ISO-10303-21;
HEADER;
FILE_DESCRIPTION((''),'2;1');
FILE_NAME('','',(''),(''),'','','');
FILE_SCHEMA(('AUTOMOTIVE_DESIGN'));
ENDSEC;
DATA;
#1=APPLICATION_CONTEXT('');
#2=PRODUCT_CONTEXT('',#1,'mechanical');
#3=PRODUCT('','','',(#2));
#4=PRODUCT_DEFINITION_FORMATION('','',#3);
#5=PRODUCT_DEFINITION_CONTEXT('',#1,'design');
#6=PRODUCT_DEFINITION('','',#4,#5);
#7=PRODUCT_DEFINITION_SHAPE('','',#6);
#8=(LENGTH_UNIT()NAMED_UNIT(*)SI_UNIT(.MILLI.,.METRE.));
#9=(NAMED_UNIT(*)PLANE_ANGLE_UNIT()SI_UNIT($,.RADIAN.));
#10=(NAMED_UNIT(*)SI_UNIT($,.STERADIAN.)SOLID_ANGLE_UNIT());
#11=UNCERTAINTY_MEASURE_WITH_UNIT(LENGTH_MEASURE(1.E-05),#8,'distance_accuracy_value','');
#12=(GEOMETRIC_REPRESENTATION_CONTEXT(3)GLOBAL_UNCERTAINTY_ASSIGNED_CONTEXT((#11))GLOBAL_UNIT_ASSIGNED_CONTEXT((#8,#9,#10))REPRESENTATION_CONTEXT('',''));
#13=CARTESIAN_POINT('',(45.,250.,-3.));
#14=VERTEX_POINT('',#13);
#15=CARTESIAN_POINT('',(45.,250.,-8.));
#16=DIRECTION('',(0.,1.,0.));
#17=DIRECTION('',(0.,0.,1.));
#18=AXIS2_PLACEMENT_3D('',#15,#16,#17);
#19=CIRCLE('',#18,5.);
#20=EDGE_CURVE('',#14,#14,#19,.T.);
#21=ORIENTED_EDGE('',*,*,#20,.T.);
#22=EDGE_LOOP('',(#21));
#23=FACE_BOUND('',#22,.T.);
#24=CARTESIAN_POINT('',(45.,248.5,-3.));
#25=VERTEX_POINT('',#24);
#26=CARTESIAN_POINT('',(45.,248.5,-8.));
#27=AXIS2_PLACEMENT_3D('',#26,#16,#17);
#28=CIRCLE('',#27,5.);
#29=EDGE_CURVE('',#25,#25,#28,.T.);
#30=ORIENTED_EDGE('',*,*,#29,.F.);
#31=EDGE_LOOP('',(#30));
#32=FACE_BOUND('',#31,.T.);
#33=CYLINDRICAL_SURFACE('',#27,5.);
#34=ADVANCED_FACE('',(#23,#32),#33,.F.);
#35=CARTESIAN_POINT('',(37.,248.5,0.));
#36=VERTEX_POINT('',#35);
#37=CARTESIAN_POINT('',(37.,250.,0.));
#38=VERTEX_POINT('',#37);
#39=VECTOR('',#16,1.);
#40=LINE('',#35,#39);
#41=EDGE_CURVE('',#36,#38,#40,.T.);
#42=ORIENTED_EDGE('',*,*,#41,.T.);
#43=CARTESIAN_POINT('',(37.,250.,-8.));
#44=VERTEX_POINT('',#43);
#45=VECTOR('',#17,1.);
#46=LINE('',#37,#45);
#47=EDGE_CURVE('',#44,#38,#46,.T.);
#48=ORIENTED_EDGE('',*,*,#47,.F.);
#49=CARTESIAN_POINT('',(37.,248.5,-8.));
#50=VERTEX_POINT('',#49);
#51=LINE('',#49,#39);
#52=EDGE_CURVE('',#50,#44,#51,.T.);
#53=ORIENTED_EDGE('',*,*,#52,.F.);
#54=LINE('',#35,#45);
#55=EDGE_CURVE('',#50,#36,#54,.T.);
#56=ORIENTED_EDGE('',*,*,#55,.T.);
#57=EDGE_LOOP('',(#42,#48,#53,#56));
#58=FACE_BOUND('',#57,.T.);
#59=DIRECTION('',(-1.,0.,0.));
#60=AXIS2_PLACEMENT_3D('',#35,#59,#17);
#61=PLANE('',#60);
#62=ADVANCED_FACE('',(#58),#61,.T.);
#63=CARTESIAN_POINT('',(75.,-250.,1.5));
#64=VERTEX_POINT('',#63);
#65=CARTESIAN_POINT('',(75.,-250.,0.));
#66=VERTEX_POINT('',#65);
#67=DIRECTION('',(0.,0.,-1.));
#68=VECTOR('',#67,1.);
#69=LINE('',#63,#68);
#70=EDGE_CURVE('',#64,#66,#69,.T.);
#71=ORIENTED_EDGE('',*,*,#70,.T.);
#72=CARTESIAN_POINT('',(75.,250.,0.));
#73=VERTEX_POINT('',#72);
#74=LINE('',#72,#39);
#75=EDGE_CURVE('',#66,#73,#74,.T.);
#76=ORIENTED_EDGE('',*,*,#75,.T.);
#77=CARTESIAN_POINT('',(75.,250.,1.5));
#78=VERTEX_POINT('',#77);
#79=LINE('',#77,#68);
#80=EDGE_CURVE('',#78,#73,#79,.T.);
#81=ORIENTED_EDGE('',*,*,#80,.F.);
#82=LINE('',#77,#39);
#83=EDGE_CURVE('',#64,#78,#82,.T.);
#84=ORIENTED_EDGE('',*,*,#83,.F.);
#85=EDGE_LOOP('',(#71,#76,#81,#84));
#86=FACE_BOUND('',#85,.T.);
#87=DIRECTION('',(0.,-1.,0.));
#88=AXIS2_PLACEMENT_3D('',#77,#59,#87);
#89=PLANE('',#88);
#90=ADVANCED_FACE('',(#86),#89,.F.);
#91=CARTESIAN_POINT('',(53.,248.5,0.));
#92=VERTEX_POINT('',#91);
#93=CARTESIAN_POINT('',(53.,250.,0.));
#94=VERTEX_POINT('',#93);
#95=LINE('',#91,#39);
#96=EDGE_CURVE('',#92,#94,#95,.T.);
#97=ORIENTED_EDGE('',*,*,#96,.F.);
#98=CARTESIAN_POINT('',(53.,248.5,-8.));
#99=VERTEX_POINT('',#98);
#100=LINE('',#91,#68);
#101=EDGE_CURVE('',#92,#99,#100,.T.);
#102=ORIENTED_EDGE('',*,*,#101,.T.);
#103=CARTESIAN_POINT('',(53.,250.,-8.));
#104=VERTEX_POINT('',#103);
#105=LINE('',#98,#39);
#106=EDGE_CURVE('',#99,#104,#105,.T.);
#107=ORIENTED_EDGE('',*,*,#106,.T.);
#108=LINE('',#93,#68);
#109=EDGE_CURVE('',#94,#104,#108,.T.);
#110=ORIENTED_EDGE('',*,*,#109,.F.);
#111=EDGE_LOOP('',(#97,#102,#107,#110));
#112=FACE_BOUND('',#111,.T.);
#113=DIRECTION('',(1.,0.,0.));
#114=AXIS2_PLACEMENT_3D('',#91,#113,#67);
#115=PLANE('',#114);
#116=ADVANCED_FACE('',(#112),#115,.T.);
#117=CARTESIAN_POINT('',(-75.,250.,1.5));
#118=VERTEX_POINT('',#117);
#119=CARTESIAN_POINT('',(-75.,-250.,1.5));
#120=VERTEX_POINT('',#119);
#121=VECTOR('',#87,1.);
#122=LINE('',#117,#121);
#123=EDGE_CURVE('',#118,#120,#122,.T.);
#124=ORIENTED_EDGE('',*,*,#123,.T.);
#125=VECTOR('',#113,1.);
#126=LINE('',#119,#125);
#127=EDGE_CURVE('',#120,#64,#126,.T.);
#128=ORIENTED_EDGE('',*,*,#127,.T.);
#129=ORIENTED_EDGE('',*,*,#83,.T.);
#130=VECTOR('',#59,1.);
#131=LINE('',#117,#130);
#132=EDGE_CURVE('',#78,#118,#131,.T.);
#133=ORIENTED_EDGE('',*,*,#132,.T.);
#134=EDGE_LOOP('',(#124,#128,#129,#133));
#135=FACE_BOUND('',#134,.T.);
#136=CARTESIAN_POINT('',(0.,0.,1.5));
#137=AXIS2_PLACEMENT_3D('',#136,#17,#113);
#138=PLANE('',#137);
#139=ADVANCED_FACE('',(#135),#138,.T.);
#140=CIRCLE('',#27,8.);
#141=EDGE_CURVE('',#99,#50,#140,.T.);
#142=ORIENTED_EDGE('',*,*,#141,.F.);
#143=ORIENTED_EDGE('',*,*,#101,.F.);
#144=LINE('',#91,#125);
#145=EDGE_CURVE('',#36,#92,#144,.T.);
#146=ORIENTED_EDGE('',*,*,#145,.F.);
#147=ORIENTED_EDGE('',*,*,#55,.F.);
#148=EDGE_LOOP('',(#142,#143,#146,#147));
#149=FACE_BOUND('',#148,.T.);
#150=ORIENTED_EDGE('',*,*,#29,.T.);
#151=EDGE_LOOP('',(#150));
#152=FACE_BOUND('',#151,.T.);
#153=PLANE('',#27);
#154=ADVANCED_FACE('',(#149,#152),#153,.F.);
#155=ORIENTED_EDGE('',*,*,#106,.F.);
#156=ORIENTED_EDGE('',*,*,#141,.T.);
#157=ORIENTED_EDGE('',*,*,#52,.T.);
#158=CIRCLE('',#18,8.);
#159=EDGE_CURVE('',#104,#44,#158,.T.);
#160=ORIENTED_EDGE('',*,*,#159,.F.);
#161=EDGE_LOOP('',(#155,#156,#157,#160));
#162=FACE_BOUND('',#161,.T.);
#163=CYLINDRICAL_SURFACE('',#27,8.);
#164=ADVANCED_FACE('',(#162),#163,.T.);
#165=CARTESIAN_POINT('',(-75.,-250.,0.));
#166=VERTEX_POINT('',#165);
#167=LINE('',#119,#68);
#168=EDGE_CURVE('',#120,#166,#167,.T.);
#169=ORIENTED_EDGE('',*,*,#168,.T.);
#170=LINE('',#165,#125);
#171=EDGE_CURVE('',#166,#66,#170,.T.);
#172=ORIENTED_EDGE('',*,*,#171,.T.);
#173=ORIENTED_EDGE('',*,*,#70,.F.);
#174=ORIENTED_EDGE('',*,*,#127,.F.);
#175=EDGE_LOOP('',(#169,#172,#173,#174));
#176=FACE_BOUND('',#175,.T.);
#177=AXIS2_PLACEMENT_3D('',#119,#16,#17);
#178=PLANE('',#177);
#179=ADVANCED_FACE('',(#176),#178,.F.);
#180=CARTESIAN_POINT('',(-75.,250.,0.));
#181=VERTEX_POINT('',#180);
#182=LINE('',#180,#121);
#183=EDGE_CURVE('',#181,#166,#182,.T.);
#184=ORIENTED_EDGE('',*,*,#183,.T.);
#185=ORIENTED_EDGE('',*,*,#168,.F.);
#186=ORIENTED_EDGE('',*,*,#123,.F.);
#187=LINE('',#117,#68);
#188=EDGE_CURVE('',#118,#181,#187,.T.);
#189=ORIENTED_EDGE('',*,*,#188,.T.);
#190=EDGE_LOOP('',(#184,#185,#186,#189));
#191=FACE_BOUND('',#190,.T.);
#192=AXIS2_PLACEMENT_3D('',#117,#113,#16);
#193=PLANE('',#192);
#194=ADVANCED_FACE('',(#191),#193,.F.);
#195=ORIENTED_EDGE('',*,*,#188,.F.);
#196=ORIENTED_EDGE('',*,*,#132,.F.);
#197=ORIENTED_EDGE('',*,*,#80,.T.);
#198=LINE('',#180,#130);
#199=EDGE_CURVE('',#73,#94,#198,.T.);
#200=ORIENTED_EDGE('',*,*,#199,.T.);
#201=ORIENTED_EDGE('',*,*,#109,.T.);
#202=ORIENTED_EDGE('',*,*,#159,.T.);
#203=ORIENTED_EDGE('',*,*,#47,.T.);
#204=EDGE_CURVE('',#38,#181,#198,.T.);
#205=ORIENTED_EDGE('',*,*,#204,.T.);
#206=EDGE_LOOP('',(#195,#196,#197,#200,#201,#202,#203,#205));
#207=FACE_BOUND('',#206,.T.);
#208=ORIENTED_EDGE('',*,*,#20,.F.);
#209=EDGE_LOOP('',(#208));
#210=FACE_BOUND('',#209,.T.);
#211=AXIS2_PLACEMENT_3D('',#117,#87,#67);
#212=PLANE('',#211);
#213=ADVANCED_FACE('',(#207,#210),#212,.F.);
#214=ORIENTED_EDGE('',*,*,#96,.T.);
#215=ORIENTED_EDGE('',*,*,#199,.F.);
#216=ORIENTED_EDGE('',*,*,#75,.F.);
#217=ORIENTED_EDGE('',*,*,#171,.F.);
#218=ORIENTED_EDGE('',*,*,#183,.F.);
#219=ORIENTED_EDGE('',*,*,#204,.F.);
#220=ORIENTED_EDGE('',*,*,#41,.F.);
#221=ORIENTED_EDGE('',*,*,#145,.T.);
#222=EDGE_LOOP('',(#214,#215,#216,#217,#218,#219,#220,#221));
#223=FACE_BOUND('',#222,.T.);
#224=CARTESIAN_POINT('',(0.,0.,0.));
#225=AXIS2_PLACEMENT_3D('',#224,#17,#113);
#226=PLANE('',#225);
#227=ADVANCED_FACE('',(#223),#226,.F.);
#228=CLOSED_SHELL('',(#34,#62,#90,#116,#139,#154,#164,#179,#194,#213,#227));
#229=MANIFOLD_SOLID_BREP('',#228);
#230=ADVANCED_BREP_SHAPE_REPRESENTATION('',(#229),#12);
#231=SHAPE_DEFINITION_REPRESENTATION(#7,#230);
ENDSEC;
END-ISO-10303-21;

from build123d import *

# Parameters (mm, degrees)
SKETCH2_W           = 150
SKETCH2_H           = 500
BOSS_EXTRUDE1_DEPTH = 1.5
SKETCH3_R           = 5
BOSS_EXTRUDE2_DEPTH = 1.5


with BuildPart() as part:
    # Sketch2 → Boss-Extrude1 (new body)
    with BuildSketch(Plane.XY):
        Rectangle(SKETCH2_W, SKETCH2_H)
    extrude(amount=BOSS_EXTRUDE1_DEPTH)

    # Sketch3 → Boss-Extrude2 (add)
    with BuildSketch(Plane(origin=(0, 250, 0), x_dir=(1, 0, 0), z_dir=(0, 1, 0))):
        with BuildLine():
            Line((37, 0), (37, 8))
            ThreePointArc((37, 8), (45, 16), (53, 8))
            Line((53, 8), (53, 0))
            Line((53, 0), (37, 0))
        make_face()
        with Locations(Location((45, 8, 0), (0, 0, 270))):
            Circle(SKETCH3_R, mode=Mode.SUBTRACT)
    extrude(amount=-BOSS_EXTRUDE2_DEPTH)


solid = part.part
